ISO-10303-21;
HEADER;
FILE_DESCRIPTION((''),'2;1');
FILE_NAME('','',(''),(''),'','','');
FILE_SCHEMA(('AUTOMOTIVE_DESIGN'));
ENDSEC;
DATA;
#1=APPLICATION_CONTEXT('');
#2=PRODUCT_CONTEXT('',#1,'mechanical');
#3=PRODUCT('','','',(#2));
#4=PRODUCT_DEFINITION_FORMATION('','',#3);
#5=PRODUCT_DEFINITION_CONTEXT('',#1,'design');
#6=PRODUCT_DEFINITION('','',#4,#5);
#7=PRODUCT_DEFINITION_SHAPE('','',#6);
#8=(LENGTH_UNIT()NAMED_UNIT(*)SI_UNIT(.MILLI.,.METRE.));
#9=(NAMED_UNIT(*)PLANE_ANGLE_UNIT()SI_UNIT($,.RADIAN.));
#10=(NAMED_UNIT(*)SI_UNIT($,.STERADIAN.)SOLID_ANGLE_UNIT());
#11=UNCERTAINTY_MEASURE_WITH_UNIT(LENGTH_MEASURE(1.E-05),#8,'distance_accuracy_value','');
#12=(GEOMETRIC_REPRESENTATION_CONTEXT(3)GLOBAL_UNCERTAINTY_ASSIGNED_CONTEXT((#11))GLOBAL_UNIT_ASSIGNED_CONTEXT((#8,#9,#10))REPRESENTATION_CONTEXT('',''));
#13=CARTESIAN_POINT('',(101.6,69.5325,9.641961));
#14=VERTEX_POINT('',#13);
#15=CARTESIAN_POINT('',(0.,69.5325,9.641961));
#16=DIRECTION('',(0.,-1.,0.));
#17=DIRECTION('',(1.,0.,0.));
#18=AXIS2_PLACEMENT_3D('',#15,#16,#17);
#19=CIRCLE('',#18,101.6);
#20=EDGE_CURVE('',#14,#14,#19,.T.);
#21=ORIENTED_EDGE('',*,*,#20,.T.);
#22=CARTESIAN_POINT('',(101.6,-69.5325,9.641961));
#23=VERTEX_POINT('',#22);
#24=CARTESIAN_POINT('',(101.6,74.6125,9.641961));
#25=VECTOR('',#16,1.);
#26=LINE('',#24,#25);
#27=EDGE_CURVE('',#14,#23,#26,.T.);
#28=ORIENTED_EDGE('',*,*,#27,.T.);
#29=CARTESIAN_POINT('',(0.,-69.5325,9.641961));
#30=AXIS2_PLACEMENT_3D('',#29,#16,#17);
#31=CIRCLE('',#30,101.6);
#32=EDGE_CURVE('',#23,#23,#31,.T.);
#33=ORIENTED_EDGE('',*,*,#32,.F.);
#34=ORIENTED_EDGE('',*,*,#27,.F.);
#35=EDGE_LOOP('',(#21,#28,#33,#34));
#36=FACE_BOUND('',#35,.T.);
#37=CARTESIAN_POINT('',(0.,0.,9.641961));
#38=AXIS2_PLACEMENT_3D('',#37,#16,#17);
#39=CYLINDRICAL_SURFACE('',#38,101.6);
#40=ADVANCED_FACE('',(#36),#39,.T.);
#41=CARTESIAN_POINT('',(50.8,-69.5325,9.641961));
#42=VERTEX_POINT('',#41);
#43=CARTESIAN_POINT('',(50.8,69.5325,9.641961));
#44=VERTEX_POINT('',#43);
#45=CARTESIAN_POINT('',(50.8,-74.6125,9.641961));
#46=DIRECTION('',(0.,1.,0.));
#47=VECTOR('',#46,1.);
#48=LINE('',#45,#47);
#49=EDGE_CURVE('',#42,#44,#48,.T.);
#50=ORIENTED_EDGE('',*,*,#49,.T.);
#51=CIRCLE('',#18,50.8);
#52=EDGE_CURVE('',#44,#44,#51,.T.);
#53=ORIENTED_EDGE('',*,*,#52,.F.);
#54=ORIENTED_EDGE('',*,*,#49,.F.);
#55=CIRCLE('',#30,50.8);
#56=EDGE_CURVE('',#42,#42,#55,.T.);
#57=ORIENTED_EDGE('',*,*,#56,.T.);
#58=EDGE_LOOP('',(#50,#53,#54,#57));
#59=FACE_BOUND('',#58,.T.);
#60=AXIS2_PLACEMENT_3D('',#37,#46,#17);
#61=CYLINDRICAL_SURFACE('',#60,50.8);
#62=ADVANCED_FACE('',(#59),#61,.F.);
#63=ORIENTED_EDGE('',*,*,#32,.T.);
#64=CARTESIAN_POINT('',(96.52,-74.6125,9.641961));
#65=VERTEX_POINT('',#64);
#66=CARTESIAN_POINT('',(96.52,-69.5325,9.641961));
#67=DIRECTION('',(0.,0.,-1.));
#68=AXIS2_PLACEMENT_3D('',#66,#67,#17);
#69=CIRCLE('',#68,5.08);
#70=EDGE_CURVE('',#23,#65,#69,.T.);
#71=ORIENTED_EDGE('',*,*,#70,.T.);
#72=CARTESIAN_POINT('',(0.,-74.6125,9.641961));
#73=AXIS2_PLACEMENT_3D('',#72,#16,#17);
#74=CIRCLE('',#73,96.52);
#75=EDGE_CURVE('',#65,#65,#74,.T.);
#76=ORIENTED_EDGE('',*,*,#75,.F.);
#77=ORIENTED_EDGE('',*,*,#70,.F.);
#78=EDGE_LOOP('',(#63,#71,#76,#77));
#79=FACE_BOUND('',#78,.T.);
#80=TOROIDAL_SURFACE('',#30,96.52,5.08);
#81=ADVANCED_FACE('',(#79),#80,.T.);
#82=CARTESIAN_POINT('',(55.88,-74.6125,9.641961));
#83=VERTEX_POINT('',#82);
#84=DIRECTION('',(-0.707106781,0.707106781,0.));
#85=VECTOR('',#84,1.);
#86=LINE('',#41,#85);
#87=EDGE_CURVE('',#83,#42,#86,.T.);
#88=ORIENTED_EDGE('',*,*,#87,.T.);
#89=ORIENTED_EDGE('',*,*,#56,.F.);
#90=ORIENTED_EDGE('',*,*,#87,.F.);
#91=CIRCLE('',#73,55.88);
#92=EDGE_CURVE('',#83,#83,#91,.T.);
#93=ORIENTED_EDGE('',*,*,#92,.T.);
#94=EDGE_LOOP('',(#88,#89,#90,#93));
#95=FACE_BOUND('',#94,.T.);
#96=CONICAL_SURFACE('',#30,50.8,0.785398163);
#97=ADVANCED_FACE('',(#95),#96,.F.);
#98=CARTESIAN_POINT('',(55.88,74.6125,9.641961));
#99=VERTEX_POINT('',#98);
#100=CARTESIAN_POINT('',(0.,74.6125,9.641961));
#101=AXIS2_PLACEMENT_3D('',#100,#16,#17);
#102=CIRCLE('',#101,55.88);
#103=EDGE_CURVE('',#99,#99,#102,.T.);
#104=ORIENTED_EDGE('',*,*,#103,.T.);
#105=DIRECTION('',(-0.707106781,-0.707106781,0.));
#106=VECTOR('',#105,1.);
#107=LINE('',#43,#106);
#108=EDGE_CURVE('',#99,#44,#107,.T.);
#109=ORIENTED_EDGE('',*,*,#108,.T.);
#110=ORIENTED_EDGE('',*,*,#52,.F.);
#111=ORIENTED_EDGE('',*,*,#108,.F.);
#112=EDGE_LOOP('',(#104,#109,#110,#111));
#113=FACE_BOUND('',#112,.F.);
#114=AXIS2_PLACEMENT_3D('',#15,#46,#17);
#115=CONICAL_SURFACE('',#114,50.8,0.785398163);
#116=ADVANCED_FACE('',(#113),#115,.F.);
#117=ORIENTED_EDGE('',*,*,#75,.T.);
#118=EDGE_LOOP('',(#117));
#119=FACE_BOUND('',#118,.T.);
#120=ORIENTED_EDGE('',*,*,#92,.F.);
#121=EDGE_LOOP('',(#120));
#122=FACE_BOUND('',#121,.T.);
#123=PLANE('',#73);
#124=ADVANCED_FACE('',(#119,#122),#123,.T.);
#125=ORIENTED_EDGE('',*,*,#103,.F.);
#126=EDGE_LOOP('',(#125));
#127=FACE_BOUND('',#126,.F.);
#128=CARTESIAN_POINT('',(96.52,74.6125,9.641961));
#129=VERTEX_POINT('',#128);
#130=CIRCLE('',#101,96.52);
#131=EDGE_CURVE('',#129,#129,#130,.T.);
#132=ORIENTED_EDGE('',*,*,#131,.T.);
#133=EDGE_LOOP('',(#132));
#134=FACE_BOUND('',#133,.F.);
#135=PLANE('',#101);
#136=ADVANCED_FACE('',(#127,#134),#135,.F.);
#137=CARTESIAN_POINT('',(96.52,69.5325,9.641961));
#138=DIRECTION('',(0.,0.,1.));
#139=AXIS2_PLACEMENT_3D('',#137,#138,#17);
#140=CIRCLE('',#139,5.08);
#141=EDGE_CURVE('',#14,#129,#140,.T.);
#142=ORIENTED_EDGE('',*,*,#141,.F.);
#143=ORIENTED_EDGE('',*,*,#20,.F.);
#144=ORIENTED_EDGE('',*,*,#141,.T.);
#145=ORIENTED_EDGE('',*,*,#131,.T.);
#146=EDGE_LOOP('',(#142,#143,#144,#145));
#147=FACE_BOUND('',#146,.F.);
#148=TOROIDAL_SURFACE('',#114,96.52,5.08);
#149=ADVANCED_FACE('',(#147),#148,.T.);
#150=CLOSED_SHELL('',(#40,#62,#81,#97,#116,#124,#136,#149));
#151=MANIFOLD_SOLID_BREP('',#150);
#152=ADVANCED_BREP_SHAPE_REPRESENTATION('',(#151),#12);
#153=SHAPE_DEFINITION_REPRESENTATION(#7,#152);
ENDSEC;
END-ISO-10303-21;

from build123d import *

# Parameters (mm, degrees)
F0_R     = 101.6
F0_R_2   = 50.8
F1_DEPTH = 74.6125
F2_R     = 5.08
F3_SIZE  = 5.08


with BuildPart() as f1:
    # F0 (on Front) → F1 (new body, symmetric)
    with BuildSketch(Plane.XZ):
        with Locations((0, 9.641961284)):
            Circle(F0_R)
        with Locations((0, 9.641961284)):
            Circle(F0_R_2, mode=Mode.SUBTRACT)
    extrude(amount=F1_DEPTH, both=True)

    # F2
    f2_edges = [f1.edges().sort_by_distance(p)[0] for p in [
        (-101.6, 74.6125, 9.641961),
        (101.6, 0, 9.641961),
        (-101.6, -74.6125, 9.641961),
    ]]
    fillet(f2_edges, radius=F2_R)

    # F3
    f3_edges = [f1.edges().sort_by_distance(p)[0] for p in [
        (-50.8, -74.6125, 9.641961),
        (50.8, 0, 9.641961),
        (-50.8, 74.6125, 9.641961),
    ]]
    chamfer(f3_edges, length=F3_SIZE)


solid = f1.part
